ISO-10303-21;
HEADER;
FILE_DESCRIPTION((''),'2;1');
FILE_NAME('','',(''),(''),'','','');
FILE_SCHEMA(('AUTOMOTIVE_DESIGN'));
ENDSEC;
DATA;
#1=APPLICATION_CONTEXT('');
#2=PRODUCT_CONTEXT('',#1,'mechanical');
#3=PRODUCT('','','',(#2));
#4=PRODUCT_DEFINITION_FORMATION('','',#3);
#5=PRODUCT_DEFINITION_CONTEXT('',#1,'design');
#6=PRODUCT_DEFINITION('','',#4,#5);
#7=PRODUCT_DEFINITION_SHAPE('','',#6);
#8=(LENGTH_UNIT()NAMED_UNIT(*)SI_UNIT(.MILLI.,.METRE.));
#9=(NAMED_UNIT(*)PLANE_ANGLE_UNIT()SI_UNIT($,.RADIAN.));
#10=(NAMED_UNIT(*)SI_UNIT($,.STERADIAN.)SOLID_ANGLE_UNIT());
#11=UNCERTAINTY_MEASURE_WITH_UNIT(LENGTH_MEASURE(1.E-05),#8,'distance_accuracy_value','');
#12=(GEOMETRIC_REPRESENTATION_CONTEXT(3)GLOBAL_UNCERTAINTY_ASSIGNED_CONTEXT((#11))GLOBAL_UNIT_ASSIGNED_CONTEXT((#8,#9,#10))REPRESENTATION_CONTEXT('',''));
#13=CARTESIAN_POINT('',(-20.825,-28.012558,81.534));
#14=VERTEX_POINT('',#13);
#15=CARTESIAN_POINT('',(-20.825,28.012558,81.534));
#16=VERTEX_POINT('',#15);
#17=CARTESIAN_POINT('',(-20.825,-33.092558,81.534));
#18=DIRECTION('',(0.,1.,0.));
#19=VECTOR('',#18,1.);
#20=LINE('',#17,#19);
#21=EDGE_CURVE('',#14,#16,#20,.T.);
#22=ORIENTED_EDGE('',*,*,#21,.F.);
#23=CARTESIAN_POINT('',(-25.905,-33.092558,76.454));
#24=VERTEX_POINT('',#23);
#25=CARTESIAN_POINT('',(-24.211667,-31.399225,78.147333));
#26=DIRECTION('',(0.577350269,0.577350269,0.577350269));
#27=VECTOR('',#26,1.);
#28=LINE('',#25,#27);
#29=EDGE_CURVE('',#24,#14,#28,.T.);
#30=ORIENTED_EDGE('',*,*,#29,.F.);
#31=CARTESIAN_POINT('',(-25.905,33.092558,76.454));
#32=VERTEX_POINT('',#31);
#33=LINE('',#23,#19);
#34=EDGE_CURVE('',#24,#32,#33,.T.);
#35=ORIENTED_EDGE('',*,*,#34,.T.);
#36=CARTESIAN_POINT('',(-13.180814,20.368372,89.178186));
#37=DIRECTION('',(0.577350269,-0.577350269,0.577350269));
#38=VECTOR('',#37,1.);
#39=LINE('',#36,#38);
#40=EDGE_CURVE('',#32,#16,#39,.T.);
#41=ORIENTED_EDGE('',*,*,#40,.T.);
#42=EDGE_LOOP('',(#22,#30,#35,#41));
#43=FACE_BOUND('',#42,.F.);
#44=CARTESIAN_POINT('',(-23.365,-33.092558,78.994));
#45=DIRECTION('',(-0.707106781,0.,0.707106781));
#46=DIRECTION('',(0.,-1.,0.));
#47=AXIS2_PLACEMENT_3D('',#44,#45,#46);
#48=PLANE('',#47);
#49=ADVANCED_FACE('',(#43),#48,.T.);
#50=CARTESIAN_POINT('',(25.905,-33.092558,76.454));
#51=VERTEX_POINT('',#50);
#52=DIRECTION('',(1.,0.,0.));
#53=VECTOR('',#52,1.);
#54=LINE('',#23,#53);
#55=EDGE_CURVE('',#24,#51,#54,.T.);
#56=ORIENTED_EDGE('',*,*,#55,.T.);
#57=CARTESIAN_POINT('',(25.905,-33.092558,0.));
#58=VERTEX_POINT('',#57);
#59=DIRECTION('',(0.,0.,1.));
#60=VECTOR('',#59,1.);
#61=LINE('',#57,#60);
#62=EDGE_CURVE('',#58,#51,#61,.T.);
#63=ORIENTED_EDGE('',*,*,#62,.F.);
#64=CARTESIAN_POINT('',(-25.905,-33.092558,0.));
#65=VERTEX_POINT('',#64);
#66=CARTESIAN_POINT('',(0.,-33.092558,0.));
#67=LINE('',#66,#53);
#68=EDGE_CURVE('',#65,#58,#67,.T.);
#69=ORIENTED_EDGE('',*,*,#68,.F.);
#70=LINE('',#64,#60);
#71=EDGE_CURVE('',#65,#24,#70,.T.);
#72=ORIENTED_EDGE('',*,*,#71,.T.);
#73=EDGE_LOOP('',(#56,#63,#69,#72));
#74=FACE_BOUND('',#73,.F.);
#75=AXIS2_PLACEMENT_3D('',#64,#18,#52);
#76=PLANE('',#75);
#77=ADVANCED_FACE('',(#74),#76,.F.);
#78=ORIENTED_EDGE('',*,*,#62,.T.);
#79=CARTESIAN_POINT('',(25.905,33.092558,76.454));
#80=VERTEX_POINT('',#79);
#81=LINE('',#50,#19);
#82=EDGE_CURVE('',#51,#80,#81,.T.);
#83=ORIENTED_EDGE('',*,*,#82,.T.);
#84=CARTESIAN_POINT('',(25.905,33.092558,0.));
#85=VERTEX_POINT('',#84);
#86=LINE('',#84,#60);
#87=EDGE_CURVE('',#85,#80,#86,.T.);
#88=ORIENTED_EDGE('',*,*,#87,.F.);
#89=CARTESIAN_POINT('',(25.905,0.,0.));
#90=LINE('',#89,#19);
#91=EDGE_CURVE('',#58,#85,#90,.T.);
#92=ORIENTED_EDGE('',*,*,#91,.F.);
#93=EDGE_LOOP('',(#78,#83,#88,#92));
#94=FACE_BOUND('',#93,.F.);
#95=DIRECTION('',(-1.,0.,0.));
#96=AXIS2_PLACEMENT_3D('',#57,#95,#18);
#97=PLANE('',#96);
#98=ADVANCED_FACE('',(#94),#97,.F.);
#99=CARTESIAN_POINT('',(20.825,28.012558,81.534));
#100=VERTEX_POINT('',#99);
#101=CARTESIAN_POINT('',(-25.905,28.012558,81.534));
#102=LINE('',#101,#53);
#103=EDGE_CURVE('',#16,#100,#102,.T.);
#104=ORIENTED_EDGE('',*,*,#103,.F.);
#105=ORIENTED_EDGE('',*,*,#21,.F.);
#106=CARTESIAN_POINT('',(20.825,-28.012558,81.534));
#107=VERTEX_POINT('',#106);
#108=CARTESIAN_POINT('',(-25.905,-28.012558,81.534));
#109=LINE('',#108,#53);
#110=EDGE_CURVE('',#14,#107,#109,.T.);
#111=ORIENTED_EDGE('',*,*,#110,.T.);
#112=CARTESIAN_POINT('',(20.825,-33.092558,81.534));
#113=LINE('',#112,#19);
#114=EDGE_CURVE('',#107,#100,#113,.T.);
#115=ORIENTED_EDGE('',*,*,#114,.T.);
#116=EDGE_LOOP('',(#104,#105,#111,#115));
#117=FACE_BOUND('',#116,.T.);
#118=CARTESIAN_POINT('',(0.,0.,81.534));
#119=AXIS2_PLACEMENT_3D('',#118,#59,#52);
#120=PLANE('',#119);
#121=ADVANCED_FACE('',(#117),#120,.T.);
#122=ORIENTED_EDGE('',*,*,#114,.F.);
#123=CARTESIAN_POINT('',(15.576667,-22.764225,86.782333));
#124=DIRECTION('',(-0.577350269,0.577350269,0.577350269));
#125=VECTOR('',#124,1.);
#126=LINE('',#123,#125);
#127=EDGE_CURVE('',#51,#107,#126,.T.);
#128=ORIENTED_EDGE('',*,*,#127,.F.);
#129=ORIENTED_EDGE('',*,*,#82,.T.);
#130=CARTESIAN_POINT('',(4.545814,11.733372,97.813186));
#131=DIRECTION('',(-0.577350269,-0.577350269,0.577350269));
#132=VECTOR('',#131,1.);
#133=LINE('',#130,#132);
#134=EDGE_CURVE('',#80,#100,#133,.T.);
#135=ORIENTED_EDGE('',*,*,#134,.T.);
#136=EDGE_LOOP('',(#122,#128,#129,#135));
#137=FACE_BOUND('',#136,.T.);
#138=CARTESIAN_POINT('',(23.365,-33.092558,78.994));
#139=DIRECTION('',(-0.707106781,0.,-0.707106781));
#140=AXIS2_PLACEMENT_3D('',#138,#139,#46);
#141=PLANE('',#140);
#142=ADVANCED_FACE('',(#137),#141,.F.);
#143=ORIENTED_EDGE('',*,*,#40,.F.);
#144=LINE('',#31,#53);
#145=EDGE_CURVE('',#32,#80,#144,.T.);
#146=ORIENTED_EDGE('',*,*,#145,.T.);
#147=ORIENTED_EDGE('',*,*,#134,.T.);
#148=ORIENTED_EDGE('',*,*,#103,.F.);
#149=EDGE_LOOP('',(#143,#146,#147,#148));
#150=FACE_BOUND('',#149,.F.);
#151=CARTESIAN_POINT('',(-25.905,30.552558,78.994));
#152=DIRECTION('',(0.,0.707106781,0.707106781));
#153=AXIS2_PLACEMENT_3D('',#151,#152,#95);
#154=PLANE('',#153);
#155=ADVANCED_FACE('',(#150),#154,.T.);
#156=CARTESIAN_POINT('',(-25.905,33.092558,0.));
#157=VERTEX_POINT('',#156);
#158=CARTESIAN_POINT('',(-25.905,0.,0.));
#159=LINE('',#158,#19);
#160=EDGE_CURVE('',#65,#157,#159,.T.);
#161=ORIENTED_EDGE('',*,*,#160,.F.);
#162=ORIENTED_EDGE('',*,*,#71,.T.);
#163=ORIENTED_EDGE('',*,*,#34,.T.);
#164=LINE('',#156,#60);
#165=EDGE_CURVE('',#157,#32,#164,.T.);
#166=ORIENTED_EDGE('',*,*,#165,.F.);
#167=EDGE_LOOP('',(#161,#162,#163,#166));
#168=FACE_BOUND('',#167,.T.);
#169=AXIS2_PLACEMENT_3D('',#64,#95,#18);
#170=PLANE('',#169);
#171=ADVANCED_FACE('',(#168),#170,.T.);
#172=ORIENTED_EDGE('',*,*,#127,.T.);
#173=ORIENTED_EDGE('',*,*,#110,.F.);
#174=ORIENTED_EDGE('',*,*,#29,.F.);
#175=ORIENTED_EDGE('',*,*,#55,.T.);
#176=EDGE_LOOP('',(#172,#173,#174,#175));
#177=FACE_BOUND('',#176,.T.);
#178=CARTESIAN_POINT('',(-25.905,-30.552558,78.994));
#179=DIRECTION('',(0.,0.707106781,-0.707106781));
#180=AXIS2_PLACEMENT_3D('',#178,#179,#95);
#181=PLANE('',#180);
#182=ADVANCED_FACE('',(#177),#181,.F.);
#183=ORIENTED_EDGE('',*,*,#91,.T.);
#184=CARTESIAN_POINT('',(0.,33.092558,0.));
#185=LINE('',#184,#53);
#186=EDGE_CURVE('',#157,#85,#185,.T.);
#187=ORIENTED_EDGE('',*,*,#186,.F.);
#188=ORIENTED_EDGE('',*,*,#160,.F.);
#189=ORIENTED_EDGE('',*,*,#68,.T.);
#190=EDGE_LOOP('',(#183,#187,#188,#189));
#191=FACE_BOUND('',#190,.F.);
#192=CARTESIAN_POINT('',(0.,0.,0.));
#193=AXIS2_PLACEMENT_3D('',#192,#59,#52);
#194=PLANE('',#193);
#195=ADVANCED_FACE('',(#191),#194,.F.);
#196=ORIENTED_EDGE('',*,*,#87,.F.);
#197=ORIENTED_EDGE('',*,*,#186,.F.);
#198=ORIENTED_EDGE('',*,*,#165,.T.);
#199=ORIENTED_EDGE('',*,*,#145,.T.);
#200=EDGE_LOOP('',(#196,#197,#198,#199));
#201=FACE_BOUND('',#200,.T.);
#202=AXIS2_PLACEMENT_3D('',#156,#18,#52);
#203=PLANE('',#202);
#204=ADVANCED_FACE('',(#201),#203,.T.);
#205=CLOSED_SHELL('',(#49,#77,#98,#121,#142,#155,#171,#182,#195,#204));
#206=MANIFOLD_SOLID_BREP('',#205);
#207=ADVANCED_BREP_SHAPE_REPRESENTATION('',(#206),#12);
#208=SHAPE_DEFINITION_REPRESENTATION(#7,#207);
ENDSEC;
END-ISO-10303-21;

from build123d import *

# Parameters (mm, degrees)
F0_W     = 51.81
F0_H     = 66.185116
F1_DEPTH = 81.534
F2_SIZE  = 5.08


with BuildPart() as f1:
    # F0 (on Top) → F1 (new body)
    with BuildSketch(Plane.XY):
        Rectangle(F0_W, F0_H)
    extrude(amount=F1_DEPTH)

    # F2
    f2_edges = [f1.edges().sort_by_distance(p)[0] for p in [
        (0, -33.092558, 81.534),
        (25.905, 0, 81.534),
        (0, 33.092558, 81.534),
        (-25.905, 0, 81.534),
    ]]
    chamfer(f2_edges, length=F2_SIZE)


solid = f1.part
